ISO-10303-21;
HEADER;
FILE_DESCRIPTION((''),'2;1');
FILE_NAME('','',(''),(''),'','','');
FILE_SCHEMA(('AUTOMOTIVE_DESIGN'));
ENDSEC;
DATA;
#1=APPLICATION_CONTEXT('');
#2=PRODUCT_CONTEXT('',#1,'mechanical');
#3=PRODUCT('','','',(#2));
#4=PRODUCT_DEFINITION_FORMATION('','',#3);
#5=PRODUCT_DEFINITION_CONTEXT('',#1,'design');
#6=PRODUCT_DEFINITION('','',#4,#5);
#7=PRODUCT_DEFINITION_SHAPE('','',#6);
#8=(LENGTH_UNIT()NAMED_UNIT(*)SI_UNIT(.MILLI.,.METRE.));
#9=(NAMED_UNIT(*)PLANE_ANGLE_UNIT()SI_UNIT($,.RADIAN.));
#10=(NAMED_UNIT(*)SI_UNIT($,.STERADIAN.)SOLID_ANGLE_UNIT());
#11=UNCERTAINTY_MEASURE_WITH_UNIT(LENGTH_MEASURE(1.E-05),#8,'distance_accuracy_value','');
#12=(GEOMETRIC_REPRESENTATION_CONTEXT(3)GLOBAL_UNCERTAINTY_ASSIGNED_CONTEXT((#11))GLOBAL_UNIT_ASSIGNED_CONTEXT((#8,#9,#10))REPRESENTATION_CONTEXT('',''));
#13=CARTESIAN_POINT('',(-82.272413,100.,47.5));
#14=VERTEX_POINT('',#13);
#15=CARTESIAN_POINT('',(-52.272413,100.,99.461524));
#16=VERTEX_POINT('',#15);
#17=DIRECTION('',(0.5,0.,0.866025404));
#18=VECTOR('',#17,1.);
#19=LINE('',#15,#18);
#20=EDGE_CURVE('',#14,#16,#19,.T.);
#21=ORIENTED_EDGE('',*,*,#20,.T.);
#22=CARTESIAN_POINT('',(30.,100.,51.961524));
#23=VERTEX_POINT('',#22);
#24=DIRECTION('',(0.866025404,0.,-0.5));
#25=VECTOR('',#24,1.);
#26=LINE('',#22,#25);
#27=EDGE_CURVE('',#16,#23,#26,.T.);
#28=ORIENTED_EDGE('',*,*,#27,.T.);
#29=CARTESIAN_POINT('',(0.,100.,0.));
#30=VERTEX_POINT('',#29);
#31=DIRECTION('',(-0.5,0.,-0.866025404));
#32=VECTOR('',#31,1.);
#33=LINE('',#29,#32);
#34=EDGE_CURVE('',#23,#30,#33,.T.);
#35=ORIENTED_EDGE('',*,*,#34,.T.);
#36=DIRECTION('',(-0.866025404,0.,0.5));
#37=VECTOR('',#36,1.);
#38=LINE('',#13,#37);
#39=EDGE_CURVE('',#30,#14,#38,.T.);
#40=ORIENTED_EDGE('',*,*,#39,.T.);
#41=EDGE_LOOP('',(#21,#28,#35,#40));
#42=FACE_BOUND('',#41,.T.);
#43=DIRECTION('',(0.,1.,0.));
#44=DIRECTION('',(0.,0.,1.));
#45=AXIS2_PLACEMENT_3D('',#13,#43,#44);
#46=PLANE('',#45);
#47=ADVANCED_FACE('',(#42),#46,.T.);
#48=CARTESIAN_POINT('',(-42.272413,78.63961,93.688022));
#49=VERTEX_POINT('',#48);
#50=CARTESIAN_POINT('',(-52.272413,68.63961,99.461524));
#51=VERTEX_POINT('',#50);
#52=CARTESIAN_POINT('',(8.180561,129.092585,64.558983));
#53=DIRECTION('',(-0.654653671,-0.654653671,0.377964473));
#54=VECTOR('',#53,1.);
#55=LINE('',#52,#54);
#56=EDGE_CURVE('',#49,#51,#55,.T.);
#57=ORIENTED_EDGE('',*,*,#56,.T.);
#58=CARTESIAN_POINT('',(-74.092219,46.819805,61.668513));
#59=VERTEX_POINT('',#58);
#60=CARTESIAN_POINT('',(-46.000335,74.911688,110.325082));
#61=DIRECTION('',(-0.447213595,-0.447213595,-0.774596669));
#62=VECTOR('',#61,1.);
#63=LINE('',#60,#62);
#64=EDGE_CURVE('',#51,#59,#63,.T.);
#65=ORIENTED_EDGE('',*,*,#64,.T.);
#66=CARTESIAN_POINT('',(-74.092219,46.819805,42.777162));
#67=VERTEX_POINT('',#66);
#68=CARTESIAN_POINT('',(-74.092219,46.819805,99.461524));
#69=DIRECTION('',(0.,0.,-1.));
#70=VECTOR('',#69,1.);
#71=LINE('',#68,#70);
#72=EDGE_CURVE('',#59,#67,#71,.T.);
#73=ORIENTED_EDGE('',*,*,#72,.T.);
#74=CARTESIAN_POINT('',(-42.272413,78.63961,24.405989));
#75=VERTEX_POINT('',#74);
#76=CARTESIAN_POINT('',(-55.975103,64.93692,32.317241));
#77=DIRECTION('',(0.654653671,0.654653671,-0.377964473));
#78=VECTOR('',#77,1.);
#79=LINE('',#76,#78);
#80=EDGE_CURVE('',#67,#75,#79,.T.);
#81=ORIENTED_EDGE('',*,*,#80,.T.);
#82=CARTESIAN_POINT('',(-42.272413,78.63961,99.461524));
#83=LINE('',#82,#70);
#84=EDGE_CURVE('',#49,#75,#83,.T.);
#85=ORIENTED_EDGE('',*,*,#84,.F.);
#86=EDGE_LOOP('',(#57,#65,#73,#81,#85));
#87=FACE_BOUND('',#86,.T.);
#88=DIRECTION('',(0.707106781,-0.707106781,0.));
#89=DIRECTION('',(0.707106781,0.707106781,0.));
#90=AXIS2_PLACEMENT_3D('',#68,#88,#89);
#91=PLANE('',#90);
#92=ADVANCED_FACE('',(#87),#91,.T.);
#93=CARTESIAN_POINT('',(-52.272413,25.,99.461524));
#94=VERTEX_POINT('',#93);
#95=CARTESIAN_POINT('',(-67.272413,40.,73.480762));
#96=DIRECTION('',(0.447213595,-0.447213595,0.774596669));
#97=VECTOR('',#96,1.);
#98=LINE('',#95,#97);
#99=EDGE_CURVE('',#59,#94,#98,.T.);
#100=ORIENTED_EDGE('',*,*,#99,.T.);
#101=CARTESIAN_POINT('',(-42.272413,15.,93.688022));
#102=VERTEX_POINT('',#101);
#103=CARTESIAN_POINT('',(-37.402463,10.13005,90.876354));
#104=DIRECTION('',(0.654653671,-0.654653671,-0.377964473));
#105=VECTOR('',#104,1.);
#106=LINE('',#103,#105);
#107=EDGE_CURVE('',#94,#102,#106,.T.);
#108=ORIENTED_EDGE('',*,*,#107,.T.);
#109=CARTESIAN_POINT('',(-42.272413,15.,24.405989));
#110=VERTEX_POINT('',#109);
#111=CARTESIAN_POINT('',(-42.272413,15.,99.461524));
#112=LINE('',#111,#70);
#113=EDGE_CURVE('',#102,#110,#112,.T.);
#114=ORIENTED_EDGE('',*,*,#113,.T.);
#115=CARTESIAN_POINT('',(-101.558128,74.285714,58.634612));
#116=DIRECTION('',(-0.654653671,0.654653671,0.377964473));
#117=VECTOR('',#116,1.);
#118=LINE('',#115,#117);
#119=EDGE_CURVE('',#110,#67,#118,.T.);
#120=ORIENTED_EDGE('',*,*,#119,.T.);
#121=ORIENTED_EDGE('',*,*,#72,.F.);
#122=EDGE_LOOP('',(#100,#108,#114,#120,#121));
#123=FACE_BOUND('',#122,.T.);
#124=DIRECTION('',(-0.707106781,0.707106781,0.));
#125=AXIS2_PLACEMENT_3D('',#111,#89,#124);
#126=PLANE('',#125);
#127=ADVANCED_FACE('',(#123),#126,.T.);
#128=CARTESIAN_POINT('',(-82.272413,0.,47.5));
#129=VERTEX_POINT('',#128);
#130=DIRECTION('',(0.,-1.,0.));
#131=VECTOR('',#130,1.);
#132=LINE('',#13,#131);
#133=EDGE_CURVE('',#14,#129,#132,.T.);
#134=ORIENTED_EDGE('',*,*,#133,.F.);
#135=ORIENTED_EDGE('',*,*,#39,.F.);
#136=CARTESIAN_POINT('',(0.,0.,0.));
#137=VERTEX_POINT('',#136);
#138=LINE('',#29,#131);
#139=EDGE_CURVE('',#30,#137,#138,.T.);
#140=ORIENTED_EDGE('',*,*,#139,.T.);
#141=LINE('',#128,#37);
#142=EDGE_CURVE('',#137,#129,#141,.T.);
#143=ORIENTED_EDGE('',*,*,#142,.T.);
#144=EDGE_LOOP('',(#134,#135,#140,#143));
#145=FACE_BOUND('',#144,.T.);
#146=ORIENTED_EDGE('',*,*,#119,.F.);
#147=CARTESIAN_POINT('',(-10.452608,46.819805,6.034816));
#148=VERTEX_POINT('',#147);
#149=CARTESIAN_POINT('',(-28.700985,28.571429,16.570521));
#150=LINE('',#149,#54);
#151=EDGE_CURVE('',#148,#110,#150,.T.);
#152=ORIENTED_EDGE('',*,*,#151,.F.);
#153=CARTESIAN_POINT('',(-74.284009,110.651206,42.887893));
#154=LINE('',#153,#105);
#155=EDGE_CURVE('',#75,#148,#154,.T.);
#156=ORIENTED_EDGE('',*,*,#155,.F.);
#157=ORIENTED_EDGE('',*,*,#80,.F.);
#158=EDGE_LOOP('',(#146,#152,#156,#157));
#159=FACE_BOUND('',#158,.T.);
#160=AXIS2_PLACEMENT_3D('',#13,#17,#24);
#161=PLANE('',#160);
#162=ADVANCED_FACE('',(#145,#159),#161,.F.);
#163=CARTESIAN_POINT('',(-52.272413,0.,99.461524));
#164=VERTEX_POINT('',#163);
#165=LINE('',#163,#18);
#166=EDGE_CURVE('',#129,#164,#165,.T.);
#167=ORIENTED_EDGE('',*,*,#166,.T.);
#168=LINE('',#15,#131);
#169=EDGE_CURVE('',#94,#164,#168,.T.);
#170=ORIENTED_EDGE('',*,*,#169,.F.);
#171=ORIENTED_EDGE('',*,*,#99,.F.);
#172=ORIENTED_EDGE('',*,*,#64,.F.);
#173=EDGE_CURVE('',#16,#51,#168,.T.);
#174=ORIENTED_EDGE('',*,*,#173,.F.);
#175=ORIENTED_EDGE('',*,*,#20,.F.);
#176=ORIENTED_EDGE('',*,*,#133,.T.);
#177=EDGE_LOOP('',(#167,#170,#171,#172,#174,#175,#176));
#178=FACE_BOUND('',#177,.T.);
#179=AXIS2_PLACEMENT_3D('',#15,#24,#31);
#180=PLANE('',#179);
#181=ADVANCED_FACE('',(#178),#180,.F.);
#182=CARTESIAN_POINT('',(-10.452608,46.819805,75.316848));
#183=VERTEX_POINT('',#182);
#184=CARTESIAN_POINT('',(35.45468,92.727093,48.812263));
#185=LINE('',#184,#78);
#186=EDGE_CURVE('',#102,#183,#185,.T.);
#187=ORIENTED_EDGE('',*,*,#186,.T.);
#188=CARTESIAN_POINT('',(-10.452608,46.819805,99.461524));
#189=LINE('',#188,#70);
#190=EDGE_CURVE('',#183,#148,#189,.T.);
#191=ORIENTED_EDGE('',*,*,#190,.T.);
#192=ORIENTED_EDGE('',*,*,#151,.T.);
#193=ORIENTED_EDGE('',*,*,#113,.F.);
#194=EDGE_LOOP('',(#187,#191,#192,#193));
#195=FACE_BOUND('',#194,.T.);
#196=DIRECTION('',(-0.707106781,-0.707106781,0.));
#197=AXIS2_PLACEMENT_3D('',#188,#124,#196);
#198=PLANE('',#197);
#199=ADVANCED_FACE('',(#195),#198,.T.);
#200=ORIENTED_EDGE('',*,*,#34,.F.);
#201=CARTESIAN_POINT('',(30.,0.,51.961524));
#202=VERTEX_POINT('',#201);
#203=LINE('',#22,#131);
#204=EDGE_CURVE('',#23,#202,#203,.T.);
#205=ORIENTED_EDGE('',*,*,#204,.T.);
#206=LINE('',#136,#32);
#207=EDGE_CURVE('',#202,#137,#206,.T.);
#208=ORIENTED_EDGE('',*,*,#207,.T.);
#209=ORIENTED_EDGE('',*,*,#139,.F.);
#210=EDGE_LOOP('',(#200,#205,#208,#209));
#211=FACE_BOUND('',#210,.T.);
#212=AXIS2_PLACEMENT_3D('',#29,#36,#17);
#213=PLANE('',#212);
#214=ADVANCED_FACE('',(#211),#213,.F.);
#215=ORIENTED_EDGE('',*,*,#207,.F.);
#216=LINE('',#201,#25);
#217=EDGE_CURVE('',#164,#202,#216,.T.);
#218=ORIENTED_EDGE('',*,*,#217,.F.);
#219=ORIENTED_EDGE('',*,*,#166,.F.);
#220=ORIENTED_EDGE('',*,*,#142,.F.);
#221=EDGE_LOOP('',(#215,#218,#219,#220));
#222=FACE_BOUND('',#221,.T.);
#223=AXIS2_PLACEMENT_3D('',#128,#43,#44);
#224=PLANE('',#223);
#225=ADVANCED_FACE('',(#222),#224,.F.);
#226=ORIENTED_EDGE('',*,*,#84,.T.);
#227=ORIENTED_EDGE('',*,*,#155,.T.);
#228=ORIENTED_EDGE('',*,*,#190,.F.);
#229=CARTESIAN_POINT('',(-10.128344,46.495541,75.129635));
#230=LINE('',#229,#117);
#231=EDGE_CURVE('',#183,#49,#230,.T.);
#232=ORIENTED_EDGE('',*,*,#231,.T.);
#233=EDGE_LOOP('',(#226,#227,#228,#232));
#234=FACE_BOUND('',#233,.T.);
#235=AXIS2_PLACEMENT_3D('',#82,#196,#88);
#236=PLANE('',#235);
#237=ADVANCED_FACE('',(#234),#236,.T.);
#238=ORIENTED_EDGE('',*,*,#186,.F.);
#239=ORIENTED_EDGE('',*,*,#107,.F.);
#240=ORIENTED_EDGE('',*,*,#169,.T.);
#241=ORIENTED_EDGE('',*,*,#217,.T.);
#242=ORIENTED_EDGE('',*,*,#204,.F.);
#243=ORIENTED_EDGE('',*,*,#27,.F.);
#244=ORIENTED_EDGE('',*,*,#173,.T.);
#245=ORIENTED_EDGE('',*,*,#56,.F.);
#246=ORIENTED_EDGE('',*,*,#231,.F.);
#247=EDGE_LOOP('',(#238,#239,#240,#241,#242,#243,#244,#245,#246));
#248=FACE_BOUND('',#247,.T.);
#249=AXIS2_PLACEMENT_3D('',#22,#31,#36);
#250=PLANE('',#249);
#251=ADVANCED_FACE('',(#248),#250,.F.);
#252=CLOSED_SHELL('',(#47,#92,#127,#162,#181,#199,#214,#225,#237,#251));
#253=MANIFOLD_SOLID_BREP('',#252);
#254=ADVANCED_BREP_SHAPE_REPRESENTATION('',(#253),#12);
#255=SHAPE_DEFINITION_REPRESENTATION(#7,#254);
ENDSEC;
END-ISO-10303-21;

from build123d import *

# Parameters (mm, degrees)
EXTRUDE1_DEPTH     = 100
CUT_EXTRUDE1_DEPTH = 100.461524227


with BuildPart() as part:
    # Sketch1 → Extrude1 (new body)
    with BuildSketch(Plane(origin=(0, 0, 0), x_dir=(1, 0, 0), z_dir=(0, 1, 0))):
        Polygon((0, 0), (30, -51.961524227), (-52.27241336, -99.461524227), (-82.27241336, -47.5), align=None)
    extrude(amount=EXTRUDE1_DEPTH)

    # Sketch2 → Cut-Extrude1 (cut, through all)
    with BuildSketch(Plane.XY):
        Polygon((-42.27241336, 78.639610307), (-10.452608206, 46.819805153), (-42.27241336, 15), (-74.092218513, 46.819805153), align=None)
    extrude(amount=CUT_EXTRUDE1_DEPTH, mode=Mode.SUBTRACT)


solid = part.part
